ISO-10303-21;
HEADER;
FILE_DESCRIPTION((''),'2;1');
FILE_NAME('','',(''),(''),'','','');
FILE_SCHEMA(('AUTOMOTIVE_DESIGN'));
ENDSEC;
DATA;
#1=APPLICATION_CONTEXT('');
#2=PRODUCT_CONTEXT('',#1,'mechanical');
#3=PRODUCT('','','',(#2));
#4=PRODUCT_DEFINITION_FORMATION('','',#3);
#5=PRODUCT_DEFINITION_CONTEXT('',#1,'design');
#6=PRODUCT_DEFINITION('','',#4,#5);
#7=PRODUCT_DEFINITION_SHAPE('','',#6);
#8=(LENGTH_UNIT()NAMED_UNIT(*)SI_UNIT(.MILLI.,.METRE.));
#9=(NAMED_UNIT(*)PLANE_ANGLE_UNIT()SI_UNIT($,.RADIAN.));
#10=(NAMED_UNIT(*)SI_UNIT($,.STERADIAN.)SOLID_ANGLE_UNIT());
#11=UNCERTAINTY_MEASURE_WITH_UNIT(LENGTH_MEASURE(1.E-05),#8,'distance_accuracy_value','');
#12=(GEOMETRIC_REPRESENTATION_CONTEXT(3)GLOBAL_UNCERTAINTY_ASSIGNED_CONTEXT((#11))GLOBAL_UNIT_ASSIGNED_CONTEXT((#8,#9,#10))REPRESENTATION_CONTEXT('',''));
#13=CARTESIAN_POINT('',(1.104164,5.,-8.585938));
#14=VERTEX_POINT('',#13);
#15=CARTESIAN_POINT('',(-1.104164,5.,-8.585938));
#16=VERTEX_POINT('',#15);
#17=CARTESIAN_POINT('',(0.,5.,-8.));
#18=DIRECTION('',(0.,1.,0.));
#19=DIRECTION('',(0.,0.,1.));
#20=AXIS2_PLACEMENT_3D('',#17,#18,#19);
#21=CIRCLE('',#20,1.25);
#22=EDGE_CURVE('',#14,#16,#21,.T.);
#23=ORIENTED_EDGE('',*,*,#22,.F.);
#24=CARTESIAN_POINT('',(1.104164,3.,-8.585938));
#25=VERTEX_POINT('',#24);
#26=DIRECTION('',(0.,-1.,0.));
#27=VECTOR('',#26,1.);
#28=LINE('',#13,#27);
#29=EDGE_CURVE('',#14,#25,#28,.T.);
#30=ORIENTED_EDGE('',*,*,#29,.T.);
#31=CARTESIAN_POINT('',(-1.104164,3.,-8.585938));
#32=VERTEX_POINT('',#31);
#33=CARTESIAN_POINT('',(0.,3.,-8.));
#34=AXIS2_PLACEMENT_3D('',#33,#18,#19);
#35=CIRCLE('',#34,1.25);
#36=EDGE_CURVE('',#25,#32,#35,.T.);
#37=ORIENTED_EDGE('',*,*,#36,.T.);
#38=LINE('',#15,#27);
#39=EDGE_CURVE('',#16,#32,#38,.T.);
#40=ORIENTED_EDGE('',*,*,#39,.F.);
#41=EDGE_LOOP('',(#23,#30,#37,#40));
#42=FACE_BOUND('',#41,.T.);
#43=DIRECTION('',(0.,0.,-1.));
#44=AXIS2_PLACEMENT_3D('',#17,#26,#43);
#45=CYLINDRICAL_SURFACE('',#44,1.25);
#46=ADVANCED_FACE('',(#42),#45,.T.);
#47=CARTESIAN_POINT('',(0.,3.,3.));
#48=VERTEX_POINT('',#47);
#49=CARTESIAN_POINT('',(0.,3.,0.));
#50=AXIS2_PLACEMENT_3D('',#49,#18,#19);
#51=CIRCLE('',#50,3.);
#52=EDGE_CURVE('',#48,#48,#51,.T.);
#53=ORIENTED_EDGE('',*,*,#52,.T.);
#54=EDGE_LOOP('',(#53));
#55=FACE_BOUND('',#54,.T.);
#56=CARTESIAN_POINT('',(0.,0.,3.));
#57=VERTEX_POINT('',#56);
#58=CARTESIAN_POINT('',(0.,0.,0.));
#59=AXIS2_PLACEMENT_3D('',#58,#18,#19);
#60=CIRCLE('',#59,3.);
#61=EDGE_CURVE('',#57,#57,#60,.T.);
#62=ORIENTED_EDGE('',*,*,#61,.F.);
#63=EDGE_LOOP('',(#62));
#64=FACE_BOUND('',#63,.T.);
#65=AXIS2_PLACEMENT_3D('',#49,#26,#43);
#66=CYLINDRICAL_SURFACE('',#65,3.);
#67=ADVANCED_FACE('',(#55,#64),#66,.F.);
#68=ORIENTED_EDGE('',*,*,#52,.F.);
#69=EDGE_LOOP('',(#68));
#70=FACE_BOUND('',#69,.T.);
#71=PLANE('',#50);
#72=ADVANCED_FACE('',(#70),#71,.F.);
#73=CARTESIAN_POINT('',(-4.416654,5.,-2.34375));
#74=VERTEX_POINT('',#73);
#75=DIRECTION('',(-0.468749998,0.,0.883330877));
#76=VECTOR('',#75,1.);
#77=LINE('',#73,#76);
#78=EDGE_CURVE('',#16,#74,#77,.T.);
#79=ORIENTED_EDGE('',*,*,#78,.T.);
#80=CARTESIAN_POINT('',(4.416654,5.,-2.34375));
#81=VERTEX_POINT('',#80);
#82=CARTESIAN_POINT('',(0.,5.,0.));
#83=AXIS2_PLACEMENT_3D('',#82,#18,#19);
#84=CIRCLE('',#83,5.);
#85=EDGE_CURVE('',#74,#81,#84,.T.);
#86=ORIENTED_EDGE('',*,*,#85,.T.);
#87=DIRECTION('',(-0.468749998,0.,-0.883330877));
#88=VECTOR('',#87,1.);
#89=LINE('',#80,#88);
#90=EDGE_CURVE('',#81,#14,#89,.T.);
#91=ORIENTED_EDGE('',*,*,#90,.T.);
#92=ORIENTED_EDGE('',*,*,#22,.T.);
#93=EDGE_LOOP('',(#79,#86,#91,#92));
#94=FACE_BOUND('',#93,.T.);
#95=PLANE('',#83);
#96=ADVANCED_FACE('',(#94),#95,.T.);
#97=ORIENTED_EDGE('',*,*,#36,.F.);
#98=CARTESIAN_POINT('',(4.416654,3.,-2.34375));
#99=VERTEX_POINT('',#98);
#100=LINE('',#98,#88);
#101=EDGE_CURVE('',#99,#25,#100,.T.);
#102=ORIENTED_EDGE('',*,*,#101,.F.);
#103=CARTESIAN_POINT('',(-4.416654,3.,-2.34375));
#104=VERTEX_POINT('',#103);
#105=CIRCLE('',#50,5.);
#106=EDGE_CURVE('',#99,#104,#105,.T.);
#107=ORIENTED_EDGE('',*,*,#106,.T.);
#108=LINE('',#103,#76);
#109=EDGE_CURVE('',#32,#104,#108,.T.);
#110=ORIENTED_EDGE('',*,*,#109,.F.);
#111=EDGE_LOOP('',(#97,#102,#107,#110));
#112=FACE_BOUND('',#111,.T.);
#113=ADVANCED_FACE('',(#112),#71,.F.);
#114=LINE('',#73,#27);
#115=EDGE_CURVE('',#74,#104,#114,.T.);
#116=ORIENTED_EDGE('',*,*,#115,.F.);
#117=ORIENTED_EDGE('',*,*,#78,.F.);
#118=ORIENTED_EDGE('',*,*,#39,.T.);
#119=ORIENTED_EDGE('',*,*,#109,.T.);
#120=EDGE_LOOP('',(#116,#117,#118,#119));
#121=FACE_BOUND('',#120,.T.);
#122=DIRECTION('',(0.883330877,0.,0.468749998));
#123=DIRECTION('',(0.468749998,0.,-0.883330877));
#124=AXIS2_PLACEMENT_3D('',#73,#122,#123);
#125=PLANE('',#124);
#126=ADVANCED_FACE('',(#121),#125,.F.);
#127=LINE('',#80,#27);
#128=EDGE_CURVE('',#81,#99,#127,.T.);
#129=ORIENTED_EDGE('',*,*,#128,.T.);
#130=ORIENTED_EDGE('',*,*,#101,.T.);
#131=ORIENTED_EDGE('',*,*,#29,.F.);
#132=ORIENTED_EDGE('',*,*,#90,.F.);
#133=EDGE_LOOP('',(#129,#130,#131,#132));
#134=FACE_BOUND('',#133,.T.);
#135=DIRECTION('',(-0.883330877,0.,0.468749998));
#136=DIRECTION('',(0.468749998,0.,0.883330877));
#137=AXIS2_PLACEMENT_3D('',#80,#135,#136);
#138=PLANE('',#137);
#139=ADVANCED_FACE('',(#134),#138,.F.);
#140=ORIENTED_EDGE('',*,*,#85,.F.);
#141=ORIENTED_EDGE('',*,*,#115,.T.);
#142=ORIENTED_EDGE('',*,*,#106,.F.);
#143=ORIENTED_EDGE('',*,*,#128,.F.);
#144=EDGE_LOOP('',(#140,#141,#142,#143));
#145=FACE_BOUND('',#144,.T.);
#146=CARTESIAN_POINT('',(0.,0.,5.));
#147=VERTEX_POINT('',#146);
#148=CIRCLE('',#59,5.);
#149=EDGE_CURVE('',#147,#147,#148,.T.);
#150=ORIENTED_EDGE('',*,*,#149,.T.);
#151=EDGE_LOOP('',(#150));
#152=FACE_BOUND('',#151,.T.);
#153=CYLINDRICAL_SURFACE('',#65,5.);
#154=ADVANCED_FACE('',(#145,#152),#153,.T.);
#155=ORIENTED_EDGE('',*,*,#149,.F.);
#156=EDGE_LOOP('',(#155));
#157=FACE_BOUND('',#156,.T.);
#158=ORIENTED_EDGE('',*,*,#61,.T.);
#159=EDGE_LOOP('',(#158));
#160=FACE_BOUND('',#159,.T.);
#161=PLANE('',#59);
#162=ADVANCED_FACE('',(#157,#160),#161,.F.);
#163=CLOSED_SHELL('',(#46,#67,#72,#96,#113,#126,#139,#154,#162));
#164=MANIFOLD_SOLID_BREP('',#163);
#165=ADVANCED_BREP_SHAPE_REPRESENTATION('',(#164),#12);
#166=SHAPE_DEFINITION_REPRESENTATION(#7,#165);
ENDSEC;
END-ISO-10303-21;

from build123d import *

# Parameters (mm, degrees)
SKETCH1_R           = 5.000000033
SKETCH1_R_2         = 3
BOSS_EXTRUDE1_DEPTH = 3
BOSS_EXTRUDE2_DEPTH = 2


with BuildPart() as part:
    # Sketch1 → Boss-Extrude1 (new body)
    with BuildSketch(Plane(origin=(0, 0, 0), x_dir=(1, 0, 0), z_dir=(0, 1, 0))):
        Circle(SKETCH1_R)
        Circle(SKETCH1_R_2, mode=Mode.SUBTRACT)
    extrude(amount=BOSS_EXTRUDE1_DEPTH)

    # Sketch2 → Boss-Extrude2 (add)
    with BuildSketch(Plane(origin=(0, 3, 0), x_dir=(1, 0, 0), z_dir=(0, 1, 0))):
        with BuildLine():
            Line((4.416654416, 2.343750007), (1.104163597, 8.585937596))
            ThreePointArc((1.104163597, 8.585937596), (0, 9.250000098), (-1.104163597, 8.585937596))
            Line((-1.104163597, 8.585937596), (-4.416654416, 2.343750007))
            ThreePointArc((-4.416654416, 2.343750007), (0, -5.000000033), (4.416654416, 2.343750007))
        make_face()
    extrude(amount=BOSS_EXTRUDE2_DEPTH)


solid = part.part
